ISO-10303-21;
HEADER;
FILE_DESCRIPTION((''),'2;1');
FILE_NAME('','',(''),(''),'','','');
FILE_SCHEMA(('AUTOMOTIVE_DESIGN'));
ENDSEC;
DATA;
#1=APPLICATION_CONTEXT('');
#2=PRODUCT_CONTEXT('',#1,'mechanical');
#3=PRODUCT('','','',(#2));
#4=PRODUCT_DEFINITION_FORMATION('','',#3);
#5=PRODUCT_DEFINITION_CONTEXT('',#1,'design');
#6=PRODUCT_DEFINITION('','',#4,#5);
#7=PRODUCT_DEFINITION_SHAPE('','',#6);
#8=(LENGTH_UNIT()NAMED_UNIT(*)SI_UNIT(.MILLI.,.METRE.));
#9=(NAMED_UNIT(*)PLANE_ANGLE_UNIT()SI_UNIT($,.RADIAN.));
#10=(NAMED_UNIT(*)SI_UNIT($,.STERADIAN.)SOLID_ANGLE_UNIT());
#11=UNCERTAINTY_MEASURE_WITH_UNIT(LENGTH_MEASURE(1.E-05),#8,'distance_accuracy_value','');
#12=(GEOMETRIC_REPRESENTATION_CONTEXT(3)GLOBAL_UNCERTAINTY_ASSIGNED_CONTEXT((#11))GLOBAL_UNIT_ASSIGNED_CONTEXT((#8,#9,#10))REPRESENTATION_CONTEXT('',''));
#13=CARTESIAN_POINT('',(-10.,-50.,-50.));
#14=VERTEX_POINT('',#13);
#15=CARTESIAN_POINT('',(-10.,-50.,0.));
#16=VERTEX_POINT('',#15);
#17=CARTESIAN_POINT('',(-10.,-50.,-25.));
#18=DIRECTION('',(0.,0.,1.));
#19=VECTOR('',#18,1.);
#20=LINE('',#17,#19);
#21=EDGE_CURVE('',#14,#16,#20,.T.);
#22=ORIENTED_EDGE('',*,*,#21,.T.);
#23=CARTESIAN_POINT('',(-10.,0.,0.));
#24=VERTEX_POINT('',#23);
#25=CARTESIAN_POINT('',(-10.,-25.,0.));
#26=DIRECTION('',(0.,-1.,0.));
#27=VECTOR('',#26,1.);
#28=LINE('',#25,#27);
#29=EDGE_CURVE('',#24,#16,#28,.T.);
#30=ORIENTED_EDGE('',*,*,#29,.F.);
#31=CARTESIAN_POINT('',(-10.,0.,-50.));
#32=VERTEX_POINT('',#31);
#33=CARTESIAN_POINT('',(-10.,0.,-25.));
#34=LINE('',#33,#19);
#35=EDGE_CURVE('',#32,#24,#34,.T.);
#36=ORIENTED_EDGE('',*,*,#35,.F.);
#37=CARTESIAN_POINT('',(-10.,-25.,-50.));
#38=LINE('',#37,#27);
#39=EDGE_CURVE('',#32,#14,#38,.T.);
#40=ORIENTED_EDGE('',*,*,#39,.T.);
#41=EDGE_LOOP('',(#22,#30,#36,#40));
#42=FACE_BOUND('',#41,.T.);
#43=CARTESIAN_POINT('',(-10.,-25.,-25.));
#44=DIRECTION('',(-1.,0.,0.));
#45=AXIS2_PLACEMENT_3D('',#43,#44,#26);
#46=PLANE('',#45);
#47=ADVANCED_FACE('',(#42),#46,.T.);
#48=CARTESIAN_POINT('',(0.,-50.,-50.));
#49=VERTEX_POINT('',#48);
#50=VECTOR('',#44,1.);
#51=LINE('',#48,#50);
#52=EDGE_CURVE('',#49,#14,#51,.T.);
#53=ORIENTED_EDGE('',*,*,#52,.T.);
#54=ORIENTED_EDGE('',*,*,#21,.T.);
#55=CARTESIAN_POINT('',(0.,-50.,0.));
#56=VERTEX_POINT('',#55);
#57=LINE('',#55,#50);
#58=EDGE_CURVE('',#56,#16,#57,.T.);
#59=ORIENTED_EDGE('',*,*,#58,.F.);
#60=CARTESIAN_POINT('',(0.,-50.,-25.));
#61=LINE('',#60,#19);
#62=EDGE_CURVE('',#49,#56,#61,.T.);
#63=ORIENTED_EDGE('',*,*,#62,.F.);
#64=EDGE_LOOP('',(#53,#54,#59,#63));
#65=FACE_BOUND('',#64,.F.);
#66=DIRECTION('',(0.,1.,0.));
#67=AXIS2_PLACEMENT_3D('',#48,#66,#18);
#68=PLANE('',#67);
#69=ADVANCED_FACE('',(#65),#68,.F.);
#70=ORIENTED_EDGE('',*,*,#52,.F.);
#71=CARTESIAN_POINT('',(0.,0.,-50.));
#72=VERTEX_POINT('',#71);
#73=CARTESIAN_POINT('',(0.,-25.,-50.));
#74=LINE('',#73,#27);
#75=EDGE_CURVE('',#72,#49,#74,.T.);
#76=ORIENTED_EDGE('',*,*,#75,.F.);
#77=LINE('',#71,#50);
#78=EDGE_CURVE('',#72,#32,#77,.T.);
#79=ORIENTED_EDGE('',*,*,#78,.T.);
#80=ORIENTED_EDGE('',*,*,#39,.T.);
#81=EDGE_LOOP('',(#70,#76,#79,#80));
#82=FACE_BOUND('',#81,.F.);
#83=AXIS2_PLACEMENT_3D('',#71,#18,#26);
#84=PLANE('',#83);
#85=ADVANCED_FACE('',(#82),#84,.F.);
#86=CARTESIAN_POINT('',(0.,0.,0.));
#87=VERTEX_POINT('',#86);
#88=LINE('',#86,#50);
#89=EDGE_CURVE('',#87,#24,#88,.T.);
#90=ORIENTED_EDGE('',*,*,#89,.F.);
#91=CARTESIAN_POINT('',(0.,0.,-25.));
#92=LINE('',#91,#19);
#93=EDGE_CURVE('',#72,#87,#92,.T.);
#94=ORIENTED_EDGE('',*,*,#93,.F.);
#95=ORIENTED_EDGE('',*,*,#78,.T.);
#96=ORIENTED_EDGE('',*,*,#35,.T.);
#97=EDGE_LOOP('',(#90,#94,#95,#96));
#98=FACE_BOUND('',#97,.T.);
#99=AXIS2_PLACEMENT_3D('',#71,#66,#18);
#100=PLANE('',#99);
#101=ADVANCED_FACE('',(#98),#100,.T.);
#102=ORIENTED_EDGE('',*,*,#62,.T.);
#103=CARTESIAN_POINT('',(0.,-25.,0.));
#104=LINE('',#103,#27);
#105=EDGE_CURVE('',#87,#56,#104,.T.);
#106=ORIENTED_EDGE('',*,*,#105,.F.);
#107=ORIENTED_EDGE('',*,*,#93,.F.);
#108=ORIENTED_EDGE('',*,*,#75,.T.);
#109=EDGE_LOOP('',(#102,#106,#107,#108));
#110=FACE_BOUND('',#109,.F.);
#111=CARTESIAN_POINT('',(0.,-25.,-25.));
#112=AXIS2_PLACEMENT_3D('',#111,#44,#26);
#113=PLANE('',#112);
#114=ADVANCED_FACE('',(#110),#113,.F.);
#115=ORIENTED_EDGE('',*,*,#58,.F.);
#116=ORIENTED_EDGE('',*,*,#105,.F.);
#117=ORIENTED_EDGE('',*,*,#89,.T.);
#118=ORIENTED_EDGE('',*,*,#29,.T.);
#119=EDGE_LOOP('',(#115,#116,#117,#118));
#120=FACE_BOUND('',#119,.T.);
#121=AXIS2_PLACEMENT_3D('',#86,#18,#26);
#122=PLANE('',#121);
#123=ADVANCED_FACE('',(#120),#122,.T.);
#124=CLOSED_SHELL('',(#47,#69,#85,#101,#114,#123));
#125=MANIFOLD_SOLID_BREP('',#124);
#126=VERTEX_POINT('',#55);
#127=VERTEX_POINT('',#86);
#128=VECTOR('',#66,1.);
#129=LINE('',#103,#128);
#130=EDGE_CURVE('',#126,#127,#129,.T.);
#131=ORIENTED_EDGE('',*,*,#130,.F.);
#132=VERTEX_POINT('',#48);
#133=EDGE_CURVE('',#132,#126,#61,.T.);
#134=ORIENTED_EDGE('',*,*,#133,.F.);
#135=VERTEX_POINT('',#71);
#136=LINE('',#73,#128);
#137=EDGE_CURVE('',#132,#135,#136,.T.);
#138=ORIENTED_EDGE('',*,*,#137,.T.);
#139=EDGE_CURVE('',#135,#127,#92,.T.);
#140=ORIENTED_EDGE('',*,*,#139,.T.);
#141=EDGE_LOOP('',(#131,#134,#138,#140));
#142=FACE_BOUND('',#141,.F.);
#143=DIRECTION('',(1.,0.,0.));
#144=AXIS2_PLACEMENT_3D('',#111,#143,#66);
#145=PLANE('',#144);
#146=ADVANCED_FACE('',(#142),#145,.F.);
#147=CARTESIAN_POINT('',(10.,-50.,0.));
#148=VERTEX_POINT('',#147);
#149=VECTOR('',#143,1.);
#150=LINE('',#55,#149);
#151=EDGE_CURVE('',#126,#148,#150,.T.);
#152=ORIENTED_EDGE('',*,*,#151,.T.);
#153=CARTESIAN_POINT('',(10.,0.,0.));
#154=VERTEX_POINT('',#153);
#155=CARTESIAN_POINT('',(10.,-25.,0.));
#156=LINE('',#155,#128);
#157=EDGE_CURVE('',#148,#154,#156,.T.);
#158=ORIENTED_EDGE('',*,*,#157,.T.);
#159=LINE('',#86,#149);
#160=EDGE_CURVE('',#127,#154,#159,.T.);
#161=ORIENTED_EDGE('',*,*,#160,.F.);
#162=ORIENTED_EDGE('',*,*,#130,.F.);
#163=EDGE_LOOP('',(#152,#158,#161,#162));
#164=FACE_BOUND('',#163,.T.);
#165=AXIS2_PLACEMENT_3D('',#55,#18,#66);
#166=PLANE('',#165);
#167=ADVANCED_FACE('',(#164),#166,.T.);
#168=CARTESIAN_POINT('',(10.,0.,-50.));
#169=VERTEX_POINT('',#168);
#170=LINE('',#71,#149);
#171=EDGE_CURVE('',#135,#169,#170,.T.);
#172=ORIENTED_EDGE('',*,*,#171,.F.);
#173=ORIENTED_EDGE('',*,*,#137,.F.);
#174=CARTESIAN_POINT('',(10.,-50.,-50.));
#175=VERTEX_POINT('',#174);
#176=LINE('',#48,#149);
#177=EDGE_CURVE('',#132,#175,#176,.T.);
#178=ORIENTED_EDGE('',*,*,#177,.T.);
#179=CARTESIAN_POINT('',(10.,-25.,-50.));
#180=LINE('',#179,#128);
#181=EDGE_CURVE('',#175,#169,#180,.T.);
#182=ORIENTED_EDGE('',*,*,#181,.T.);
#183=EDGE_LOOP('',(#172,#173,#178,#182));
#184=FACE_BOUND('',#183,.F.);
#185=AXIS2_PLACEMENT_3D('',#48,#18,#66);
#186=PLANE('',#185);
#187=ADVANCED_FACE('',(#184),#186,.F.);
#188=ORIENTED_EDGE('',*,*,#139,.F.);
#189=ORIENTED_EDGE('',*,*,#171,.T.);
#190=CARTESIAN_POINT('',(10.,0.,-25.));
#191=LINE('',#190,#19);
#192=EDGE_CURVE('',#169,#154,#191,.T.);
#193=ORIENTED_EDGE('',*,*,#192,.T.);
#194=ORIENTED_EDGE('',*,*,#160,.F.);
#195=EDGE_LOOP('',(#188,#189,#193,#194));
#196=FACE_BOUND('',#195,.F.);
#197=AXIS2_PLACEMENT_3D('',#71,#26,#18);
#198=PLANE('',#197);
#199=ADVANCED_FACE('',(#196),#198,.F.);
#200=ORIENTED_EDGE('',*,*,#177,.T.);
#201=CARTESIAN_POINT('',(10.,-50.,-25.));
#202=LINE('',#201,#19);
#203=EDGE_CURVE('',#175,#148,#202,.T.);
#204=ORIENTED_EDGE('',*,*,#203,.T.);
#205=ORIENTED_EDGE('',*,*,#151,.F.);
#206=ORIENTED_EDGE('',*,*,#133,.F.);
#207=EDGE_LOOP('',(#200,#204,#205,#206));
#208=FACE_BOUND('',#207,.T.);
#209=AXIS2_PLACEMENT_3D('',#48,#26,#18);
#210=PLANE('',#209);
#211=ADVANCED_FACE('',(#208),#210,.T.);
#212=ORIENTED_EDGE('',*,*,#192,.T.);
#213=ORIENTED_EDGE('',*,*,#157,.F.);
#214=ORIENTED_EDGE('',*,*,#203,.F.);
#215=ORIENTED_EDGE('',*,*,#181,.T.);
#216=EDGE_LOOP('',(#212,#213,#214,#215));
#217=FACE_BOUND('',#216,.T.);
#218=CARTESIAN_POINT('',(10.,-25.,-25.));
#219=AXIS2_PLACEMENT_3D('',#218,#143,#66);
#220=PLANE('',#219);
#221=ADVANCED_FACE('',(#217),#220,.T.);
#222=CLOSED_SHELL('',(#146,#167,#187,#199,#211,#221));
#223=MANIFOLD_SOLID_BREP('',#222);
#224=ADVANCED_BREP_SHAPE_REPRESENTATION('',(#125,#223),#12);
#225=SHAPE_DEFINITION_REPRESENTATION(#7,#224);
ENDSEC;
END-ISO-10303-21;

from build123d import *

# Parameters (mm, degrees)
F0_W     = 50
F0_H     = 50
F1_DEPTH = 10
F2_W     = 50
F2_H     = 50
F3_DEPTH = 10


with BuildPart() as f1:
    # F0 (on Right) → F1 (new body)
    with BuildSketch(Plane.YZ):
        with Locations((-25, -25)):
            Rectangle(F0_W, F0_H)
    extrude(amount=F1_DEPTH)


with BuildPart() as f3:
    # F2 (on face) → F3 (new body)
    with BuildSketch(Plane(origin=(0, 0, 0), x_dir=(0, -1, 0), z_dir=(-1, 0, 0))):
        with Locations((25, -25)):
            Rectangle(F2_W, F2_H)
    extrude(amount=F3_DEPTH)


solid = Compound([f1.part, f3.part])
